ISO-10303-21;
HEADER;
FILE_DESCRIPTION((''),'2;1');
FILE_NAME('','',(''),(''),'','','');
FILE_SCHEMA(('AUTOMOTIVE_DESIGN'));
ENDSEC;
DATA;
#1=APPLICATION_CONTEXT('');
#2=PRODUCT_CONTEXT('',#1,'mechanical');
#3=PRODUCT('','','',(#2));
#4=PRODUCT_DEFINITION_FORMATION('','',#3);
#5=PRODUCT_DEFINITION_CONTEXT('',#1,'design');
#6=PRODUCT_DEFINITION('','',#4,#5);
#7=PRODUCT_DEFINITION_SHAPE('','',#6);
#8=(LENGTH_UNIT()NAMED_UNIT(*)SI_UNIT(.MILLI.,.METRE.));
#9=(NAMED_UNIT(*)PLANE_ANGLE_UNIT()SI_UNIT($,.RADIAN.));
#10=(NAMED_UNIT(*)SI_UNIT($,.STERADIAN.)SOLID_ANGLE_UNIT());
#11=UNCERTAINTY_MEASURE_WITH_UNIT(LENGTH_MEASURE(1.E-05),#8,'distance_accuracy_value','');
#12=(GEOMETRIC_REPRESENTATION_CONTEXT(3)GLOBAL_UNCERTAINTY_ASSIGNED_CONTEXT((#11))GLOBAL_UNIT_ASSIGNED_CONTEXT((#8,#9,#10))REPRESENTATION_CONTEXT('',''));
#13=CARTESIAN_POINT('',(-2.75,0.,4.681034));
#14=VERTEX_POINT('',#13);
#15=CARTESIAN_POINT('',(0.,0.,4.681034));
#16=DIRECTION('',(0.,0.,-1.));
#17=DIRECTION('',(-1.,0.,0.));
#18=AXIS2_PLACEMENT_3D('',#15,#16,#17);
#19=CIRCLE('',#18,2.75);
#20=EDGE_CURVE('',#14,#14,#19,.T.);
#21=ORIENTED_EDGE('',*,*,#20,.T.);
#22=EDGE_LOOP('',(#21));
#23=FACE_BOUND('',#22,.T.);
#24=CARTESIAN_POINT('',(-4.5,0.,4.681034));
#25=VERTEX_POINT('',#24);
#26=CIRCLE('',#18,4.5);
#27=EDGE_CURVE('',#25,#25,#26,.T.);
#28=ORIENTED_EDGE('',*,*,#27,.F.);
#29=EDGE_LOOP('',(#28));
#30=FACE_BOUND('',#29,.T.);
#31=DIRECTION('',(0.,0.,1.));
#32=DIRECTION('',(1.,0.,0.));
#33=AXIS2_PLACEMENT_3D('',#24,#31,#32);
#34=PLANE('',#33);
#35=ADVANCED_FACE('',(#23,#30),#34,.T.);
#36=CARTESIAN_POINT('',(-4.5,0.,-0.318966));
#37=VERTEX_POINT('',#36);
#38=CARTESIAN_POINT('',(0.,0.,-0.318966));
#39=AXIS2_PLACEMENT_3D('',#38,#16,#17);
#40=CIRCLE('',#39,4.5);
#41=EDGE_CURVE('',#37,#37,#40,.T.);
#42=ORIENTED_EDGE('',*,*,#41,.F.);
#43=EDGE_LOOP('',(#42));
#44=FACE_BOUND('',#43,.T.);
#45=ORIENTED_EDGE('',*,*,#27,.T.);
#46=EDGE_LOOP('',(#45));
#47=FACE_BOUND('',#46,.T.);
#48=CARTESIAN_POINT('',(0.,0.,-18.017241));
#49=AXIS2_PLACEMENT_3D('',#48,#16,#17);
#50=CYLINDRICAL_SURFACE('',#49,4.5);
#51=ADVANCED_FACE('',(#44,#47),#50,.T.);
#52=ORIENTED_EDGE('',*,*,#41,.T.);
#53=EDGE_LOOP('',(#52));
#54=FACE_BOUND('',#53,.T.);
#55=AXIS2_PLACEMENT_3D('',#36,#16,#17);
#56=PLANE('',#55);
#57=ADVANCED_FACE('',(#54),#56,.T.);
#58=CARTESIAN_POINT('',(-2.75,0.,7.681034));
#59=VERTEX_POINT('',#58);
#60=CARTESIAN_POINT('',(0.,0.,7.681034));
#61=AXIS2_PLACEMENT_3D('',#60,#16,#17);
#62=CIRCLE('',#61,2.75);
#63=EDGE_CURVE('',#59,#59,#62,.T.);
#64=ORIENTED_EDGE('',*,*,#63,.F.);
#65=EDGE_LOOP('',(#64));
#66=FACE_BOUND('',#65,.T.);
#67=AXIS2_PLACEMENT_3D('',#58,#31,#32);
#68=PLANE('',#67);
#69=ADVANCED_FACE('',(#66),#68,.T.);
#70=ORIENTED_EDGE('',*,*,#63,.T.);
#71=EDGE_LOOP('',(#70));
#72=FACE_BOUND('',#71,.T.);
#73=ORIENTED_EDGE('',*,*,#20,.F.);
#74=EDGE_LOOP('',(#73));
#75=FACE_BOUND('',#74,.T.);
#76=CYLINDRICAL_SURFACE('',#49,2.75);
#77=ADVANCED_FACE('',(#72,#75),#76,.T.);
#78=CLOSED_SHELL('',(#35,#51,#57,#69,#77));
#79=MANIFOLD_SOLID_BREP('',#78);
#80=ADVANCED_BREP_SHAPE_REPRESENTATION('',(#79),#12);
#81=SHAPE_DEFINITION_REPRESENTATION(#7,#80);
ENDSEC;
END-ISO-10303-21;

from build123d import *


with BuildPart() as part:
    # Sketch1 → Revolve1 (revolve)
    with BuildSketch(Plane(origin=(0, 0, 0), x_dir=(1, 0, 0), z_dir=(0, 1, 0))):
        Polygon((-4.5, 0.318965517), (-4.5, -4.681034483), (-2.75, -4.681034483), (-2.75, -7.681034483), (0, -7.681034483), (0, 0.318965517), align=None)
    revolve(axis=Axis((0, 0, -18.017241379), (0, 0, 1)))


solid = part.part
